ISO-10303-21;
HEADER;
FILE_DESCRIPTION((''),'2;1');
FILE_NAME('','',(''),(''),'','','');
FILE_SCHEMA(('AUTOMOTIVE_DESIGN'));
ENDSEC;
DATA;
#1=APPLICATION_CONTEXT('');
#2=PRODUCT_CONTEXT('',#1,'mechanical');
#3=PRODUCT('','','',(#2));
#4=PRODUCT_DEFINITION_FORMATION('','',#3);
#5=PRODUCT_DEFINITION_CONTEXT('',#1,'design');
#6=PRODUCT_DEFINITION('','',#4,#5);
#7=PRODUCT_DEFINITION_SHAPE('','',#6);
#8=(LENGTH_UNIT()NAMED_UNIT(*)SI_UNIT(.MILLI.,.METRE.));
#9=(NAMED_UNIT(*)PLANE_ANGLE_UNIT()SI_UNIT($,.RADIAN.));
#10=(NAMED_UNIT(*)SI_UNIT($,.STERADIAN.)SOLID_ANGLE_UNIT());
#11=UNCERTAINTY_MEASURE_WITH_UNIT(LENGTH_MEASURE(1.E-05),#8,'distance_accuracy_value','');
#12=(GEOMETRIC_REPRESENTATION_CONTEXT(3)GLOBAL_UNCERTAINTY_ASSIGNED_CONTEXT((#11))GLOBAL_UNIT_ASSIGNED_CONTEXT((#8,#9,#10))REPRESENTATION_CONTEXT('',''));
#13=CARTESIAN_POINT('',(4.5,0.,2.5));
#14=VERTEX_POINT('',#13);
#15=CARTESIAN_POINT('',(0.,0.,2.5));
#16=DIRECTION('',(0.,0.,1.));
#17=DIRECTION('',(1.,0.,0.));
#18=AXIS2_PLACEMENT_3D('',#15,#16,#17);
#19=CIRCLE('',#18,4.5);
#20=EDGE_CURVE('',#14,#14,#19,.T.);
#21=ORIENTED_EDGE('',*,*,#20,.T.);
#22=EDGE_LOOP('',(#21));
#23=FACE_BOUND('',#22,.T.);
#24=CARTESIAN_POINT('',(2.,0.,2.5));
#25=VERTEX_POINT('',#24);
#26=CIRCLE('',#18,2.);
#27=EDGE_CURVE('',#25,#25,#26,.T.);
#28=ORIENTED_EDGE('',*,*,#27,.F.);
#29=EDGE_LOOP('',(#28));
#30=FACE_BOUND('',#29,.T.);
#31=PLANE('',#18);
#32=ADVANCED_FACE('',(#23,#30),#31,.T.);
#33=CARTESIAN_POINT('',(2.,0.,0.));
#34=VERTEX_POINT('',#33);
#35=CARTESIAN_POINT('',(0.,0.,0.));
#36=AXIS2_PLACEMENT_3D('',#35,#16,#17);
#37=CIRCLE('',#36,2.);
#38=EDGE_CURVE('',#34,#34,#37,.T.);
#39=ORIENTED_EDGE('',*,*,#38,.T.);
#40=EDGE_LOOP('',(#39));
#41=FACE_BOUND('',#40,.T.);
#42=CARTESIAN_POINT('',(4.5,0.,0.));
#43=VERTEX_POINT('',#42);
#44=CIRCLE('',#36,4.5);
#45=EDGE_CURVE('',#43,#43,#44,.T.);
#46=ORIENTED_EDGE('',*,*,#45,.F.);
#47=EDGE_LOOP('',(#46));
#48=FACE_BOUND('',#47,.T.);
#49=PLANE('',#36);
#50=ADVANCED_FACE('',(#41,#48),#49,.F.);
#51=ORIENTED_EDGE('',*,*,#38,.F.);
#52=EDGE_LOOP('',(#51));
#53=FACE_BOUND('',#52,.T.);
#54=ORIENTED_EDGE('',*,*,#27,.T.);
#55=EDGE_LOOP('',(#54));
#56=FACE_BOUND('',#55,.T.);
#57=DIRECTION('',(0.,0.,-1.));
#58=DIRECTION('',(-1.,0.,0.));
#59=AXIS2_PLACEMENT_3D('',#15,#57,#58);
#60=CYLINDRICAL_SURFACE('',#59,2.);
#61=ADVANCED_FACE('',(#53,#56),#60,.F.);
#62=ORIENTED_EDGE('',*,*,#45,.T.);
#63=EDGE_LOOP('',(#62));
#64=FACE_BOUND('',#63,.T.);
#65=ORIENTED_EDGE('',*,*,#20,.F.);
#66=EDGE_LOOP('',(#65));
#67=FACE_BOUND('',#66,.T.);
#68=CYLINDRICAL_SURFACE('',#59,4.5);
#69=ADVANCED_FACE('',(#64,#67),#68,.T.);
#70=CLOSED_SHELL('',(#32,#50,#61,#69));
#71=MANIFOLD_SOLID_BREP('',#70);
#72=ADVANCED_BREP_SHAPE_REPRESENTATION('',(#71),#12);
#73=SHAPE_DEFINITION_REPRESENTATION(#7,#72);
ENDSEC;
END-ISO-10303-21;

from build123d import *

# Parameters (mm, degrees)
SKETCH_1_R      = 4.5
SKETCH_1_R_2    = 2
EXTRUDE_1_DEPTH = 2.5


with BuildPart() as part:
    # 草图1 → 凸台-拉伸1 (new body)
    with BuildSketch(Plane.XY):
        Circle(SKETCH_1_R)
        Circle(SKETCH_1_R_2, mode=Mode.SUBTRACT)
    extrude(amount=EXTRUDE_1_DEPTH)


solid = part.part
